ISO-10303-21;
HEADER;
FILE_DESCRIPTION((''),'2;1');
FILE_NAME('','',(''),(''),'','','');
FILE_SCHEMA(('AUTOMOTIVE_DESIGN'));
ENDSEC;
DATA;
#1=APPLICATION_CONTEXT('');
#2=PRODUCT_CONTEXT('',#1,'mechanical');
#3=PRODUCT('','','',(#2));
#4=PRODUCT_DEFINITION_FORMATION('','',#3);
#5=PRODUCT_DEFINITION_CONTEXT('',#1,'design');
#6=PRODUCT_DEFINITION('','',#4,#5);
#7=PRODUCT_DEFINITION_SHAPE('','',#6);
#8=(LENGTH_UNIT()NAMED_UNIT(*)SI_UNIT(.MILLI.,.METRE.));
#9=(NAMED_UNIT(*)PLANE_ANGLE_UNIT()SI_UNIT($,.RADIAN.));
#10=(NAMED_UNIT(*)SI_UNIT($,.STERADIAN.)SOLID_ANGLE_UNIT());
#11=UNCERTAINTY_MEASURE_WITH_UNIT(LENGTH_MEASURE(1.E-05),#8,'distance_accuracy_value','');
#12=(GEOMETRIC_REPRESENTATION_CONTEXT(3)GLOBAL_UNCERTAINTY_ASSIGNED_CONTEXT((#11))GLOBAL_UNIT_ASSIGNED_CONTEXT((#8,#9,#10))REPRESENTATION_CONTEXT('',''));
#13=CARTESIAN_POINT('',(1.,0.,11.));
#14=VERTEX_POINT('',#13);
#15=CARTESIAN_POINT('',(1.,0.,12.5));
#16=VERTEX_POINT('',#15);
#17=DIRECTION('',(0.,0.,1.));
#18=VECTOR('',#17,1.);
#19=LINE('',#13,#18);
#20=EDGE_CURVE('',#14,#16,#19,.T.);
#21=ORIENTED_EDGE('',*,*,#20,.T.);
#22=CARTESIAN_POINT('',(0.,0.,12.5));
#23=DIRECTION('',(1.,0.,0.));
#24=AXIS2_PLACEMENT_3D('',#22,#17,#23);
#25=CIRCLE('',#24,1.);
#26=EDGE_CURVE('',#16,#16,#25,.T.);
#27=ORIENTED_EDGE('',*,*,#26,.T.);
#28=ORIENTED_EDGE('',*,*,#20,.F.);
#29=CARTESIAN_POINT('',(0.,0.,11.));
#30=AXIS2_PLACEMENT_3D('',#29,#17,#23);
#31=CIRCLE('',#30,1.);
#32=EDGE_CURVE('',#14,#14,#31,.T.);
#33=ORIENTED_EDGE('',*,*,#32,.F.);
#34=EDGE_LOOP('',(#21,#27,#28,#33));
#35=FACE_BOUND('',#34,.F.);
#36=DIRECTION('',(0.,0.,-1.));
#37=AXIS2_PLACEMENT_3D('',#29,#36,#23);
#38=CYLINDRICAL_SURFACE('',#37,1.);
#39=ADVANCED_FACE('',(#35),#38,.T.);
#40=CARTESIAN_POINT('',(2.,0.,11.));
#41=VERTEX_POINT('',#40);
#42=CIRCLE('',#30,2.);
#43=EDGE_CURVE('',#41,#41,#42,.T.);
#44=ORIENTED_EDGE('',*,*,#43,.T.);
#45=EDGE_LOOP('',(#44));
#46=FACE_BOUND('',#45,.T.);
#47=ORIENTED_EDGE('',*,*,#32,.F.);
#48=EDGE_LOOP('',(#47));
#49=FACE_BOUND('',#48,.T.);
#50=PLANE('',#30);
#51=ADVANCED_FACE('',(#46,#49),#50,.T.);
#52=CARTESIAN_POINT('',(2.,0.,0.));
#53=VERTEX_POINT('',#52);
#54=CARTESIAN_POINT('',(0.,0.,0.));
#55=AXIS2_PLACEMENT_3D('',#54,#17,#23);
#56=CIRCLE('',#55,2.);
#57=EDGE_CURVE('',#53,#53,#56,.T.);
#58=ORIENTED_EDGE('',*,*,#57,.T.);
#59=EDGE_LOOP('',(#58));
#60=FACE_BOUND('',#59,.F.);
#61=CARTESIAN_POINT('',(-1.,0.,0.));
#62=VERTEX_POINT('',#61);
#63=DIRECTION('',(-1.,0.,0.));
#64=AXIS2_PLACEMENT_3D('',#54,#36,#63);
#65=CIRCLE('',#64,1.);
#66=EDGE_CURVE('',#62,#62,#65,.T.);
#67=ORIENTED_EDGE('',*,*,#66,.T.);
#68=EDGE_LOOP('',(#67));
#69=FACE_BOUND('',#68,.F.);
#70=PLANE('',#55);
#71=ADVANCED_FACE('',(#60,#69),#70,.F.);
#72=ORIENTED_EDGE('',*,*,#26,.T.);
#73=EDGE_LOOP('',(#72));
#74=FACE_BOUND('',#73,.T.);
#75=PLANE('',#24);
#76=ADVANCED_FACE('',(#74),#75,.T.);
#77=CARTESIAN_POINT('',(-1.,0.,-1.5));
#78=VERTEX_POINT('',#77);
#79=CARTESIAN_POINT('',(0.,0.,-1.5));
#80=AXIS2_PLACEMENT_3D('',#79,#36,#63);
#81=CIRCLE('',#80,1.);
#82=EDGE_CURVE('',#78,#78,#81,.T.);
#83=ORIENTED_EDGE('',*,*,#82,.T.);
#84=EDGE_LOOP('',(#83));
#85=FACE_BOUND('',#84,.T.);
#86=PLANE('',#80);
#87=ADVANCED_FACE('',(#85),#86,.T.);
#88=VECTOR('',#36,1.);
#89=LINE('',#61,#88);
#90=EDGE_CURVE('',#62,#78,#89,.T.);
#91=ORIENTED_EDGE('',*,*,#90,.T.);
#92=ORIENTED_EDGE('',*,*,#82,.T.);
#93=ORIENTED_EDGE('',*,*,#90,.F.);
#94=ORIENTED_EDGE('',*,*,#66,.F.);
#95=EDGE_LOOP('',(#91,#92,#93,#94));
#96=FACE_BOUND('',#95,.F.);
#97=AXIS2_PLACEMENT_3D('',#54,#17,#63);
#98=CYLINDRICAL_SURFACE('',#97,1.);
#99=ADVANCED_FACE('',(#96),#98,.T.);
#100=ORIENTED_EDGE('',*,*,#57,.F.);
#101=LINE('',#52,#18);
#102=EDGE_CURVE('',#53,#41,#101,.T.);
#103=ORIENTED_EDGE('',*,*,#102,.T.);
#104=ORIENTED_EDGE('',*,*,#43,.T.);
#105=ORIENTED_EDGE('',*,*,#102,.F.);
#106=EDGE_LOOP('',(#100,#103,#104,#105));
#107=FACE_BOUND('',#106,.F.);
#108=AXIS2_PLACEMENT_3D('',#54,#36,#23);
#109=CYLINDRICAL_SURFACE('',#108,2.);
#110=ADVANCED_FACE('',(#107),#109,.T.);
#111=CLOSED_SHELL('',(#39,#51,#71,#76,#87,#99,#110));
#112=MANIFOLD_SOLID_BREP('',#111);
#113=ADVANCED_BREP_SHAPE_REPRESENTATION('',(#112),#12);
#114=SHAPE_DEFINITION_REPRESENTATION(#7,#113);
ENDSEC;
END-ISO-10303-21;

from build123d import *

# Parameters (mm, degrees)
SKETCH_1_R      = 2
EXTRUDE_1_DEPTH = 11
SKETCH_2_R      = 1
EXTRUDE_2_DEPTH = 1.5
SKETCH_3_R      = 1
EXTRUDE_3_DEPTH = 1.5


with BuildPart() as part:
    # 草图1 → 凸台-拉伸1 (new body)
    with BuildSketch(Plane.XY):
        Circle(SKETCH_1_R)
    extrude(amount=EXTRUDE_1_DEPTH)

    # 草图2 → 凸台-拉伸2 (add)
    with BuildSketch(Plane.XY.offset(11)):
        Circle(SKETCH_2_R)
    extrude(amount=EXTRUDE_2_DEPTH)

    # 草图3 → 凸台-拉伸3 (add)
    with BuildSketch(Plane(origin=(0, 0, 0), x_dir=(-1, 0, 0), z_dir=(0, 0, -1))):
        Circle(SKETCH_3_R)
    extrude(amount=EXTRUDE_3_DEPTH)


solid = part.part
